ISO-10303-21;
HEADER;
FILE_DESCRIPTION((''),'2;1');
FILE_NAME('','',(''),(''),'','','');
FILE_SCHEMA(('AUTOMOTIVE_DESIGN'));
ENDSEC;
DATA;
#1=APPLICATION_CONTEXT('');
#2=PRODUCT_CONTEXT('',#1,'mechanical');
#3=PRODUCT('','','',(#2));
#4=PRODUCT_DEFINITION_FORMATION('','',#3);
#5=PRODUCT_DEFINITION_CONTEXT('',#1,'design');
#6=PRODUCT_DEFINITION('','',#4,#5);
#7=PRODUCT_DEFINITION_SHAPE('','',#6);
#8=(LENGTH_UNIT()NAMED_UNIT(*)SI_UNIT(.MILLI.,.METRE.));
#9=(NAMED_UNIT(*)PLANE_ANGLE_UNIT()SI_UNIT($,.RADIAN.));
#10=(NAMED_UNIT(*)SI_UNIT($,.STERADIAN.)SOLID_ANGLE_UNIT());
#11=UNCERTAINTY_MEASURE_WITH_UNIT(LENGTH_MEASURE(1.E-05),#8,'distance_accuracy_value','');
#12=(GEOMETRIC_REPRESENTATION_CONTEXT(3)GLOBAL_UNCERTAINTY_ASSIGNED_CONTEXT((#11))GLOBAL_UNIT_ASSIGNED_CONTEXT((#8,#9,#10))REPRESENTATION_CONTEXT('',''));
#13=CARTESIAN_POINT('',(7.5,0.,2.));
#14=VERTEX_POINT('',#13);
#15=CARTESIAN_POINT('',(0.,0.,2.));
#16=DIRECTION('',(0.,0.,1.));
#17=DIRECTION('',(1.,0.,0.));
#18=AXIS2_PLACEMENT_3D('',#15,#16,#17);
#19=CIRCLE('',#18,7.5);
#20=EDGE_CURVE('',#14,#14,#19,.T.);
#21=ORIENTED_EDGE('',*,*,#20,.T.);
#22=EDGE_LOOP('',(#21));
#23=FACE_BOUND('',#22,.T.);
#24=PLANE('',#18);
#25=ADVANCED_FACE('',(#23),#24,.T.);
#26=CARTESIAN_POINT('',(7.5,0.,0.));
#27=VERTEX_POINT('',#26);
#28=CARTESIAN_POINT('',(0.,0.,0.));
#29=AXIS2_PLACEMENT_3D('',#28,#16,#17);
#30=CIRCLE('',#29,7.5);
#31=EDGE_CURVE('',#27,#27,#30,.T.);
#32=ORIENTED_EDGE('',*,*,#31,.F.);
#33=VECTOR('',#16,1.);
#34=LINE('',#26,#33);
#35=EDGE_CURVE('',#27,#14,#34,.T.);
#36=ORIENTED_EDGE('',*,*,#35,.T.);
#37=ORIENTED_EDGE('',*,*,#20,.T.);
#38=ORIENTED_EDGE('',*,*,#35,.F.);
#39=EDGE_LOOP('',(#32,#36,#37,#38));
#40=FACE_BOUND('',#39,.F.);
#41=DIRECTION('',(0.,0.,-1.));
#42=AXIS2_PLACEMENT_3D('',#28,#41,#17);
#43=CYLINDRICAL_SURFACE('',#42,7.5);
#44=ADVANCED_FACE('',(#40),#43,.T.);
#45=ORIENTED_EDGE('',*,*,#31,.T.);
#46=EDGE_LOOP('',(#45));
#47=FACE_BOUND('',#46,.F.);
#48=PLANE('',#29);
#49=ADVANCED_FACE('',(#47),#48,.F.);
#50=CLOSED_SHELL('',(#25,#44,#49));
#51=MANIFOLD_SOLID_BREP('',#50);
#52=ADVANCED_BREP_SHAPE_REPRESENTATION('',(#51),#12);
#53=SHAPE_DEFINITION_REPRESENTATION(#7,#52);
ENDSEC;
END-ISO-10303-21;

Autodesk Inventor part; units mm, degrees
ref_plane "YZ Plane" through (0, 0, 0) normal (1, 0, 0) x (0, 1, 0)
ref_plane "XZ Plane" through (0, 0, 0) normal (0, 1, 0) x (-1, 0, 0)
ref_plane "XY Plane" through (0, 0, 0) normal (0, 0, 1) x (1, 0, 0)
sketch "Sketch1" plane through (0, 0, 0) normal (0, 0, 1) x (1, 0, 0)
  circle A0 centre (0, 0) radius 7.5
  dimension "d0" = 15
extrude "Extrusion1" add sketch "Sketch1" along normal blind 2
sketch "Sketch2" plane through (0, 0, 2) normal (0, 0, 1) x (1, 0, 0)
  point P0 (0, 0)
  point P1 (0, 0)
properties part number "Slippad"
